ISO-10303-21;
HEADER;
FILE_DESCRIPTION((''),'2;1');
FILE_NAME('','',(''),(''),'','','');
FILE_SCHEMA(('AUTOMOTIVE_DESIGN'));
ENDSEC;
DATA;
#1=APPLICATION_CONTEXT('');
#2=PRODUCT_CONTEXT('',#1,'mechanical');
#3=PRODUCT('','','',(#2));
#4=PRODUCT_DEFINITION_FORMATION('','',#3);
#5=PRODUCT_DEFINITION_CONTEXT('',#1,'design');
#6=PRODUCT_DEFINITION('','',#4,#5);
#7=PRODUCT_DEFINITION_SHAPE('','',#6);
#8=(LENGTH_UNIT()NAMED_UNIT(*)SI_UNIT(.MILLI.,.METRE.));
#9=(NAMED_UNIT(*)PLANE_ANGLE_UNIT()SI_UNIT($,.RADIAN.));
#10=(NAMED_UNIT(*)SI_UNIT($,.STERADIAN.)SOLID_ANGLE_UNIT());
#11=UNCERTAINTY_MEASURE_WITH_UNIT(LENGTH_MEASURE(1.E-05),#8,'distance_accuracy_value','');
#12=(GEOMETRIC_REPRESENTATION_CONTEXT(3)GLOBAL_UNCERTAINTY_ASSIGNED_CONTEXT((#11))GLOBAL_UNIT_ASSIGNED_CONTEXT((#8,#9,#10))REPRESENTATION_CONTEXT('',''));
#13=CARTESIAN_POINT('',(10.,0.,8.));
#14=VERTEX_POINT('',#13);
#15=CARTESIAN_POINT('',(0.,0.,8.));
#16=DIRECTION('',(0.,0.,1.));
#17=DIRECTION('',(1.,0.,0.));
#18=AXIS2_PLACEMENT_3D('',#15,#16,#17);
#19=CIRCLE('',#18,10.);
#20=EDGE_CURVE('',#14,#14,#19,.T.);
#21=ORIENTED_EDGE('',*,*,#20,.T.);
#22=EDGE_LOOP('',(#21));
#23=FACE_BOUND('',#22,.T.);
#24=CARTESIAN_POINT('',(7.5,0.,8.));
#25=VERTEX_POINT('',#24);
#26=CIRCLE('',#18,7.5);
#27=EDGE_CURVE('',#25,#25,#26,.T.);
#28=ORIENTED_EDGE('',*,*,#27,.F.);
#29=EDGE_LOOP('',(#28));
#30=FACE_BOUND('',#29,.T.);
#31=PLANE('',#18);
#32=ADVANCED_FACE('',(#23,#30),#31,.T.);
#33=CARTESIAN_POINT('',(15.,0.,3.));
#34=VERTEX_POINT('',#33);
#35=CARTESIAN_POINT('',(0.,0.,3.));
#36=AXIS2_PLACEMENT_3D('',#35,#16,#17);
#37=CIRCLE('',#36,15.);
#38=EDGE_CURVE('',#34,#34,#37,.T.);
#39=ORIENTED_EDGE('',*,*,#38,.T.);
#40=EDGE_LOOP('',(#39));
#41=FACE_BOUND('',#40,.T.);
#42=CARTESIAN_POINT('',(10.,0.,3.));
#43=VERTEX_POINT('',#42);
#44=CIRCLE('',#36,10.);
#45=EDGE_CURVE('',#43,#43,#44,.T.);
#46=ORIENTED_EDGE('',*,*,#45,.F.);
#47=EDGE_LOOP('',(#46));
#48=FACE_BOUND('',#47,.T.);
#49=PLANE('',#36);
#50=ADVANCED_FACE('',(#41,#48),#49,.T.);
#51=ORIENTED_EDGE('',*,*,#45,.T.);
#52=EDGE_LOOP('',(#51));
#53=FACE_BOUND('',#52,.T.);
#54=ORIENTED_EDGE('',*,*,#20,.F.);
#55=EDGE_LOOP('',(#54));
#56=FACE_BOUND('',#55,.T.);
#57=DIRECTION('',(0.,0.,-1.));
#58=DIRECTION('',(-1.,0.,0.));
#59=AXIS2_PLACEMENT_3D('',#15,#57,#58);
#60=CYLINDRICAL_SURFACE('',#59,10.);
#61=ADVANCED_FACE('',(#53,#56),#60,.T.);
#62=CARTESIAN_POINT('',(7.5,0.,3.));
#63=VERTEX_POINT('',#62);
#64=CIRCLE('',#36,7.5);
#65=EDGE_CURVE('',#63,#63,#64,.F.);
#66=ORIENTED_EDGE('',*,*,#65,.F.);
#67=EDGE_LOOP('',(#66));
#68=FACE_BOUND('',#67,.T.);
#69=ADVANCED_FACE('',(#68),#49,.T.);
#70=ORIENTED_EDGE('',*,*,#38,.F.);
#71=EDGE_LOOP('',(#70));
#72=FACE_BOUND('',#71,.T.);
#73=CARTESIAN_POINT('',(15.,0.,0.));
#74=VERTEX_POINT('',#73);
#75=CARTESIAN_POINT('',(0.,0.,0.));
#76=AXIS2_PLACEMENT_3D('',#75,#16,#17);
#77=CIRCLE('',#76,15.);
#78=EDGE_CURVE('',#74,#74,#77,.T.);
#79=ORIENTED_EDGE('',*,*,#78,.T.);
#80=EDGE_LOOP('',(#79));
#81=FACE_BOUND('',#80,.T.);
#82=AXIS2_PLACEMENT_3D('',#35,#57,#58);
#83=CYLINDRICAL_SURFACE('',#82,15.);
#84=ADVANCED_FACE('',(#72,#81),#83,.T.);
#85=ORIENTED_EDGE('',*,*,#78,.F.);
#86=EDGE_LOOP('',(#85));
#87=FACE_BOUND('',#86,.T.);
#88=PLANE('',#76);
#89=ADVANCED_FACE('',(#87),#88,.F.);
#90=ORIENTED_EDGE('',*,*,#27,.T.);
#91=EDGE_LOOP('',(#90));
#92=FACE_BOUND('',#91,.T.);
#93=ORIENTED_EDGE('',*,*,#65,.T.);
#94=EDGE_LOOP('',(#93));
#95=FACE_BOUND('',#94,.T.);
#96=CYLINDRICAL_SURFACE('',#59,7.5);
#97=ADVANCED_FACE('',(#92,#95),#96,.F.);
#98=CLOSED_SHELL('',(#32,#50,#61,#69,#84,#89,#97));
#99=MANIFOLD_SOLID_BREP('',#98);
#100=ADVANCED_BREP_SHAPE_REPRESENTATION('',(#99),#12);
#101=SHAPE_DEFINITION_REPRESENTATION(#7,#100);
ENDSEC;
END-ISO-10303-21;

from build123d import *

# Parameters (mm, degrees)
SKETCH1_R           = 15
BOSS_EXTRUDE1_DEPTH = 3
SKETCH2_R           = 10
SKETCH2_R_2         = 7.5
BOSS_EXTRUDE2_DEPTH = 5


with BuildPart() as part:
    # Sketch1 → Boss-Extrude1 (new body)
    with BuildSketch(Plane.XY):
        Circle(SKETCH1_R)
    extrude(amount=BOSS_EXTRUDE1_DEPTH)

    # Sketch2 → Boss-Extrude2 (add)
    with BuildSketch(Plane.XY.offset(3)):
        Circle(SKETCH2_R)
        Circle(SKETCH2_R_2, mode=Mode.SUBTRACT)
    extrude(amount=BOSS_EXTRUDE2_DEPTH)


solid = part.part
